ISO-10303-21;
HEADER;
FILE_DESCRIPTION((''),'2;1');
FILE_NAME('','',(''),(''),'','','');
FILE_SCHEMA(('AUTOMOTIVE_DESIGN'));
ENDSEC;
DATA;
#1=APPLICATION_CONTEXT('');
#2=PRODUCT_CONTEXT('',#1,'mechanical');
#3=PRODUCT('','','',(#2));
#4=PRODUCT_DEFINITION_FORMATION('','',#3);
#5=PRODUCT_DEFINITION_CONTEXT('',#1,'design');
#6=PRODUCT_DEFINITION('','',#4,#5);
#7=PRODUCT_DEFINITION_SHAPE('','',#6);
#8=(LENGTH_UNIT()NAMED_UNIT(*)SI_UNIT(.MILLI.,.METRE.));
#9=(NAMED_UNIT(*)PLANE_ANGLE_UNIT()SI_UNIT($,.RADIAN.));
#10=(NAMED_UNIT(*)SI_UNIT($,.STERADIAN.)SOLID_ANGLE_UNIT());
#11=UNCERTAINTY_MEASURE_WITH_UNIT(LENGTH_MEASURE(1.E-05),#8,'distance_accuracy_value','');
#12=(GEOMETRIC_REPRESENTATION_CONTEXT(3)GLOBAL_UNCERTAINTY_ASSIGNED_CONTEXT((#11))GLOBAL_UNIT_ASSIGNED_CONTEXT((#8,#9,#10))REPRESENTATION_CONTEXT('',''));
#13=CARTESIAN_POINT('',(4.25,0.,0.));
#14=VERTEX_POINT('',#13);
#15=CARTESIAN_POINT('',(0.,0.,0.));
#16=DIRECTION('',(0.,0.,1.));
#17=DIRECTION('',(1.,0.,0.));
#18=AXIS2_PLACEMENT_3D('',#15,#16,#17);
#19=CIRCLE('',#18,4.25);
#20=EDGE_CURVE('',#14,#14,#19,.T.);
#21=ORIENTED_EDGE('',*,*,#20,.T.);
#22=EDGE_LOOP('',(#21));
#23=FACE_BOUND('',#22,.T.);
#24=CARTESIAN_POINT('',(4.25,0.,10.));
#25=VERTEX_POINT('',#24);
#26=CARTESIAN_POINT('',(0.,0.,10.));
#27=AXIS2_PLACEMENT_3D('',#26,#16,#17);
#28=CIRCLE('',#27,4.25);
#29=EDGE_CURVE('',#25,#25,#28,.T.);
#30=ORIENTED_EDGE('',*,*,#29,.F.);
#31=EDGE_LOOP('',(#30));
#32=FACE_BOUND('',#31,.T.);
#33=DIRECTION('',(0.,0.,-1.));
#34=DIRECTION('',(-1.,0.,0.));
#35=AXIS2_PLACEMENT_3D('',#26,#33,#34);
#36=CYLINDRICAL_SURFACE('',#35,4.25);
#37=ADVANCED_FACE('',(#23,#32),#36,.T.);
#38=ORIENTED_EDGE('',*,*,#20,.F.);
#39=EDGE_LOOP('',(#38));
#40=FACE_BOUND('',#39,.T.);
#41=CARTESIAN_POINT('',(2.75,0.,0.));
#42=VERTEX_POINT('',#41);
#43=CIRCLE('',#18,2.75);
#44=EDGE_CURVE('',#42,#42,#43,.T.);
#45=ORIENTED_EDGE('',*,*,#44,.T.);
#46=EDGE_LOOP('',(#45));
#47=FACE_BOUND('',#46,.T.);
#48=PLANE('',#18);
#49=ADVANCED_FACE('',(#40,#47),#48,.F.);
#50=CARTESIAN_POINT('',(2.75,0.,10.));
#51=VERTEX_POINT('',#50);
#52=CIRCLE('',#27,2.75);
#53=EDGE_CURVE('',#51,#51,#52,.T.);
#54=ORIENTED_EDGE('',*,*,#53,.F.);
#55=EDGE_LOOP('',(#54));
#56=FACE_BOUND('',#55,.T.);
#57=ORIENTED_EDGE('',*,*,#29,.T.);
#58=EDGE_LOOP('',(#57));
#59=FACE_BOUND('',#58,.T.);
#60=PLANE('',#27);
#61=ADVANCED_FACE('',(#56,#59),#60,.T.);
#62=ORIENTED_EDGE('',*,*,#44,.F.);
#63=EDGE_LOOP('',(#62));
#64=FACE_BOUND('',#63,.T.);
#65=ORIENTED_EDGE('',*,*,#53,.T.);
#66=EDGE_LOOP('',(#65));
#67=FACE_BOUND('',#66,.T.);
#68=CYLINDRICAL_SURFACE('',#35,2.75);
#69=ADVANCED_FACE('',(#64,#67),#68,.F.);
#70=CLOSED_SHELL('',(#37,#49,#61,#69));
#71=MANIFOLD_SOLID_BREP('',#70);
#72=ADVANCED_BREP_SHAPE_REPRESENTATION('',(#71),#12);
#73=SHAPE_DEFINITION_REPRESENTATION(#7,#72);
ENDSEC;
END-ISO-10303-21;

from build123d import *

# Parameters (mm, degrees)
SKETCH1_R           = 4.25
SKETCH1_R_2         = 2.75
BOSS_EXTRUDE1_DEPTH = 10


with BuildPart() as part:
    # Sketch1 → Boss-Extrude1 (new body)
    with BuildSketch(Plane.XY):
        Circle(SKETCH1_R)
        Circle(SKETCH1_R_2, mode=Mode.SUBTRACT)
    extrude(amount=BOSS_EXTRUDE1_DEPTH)


solid = part.part
